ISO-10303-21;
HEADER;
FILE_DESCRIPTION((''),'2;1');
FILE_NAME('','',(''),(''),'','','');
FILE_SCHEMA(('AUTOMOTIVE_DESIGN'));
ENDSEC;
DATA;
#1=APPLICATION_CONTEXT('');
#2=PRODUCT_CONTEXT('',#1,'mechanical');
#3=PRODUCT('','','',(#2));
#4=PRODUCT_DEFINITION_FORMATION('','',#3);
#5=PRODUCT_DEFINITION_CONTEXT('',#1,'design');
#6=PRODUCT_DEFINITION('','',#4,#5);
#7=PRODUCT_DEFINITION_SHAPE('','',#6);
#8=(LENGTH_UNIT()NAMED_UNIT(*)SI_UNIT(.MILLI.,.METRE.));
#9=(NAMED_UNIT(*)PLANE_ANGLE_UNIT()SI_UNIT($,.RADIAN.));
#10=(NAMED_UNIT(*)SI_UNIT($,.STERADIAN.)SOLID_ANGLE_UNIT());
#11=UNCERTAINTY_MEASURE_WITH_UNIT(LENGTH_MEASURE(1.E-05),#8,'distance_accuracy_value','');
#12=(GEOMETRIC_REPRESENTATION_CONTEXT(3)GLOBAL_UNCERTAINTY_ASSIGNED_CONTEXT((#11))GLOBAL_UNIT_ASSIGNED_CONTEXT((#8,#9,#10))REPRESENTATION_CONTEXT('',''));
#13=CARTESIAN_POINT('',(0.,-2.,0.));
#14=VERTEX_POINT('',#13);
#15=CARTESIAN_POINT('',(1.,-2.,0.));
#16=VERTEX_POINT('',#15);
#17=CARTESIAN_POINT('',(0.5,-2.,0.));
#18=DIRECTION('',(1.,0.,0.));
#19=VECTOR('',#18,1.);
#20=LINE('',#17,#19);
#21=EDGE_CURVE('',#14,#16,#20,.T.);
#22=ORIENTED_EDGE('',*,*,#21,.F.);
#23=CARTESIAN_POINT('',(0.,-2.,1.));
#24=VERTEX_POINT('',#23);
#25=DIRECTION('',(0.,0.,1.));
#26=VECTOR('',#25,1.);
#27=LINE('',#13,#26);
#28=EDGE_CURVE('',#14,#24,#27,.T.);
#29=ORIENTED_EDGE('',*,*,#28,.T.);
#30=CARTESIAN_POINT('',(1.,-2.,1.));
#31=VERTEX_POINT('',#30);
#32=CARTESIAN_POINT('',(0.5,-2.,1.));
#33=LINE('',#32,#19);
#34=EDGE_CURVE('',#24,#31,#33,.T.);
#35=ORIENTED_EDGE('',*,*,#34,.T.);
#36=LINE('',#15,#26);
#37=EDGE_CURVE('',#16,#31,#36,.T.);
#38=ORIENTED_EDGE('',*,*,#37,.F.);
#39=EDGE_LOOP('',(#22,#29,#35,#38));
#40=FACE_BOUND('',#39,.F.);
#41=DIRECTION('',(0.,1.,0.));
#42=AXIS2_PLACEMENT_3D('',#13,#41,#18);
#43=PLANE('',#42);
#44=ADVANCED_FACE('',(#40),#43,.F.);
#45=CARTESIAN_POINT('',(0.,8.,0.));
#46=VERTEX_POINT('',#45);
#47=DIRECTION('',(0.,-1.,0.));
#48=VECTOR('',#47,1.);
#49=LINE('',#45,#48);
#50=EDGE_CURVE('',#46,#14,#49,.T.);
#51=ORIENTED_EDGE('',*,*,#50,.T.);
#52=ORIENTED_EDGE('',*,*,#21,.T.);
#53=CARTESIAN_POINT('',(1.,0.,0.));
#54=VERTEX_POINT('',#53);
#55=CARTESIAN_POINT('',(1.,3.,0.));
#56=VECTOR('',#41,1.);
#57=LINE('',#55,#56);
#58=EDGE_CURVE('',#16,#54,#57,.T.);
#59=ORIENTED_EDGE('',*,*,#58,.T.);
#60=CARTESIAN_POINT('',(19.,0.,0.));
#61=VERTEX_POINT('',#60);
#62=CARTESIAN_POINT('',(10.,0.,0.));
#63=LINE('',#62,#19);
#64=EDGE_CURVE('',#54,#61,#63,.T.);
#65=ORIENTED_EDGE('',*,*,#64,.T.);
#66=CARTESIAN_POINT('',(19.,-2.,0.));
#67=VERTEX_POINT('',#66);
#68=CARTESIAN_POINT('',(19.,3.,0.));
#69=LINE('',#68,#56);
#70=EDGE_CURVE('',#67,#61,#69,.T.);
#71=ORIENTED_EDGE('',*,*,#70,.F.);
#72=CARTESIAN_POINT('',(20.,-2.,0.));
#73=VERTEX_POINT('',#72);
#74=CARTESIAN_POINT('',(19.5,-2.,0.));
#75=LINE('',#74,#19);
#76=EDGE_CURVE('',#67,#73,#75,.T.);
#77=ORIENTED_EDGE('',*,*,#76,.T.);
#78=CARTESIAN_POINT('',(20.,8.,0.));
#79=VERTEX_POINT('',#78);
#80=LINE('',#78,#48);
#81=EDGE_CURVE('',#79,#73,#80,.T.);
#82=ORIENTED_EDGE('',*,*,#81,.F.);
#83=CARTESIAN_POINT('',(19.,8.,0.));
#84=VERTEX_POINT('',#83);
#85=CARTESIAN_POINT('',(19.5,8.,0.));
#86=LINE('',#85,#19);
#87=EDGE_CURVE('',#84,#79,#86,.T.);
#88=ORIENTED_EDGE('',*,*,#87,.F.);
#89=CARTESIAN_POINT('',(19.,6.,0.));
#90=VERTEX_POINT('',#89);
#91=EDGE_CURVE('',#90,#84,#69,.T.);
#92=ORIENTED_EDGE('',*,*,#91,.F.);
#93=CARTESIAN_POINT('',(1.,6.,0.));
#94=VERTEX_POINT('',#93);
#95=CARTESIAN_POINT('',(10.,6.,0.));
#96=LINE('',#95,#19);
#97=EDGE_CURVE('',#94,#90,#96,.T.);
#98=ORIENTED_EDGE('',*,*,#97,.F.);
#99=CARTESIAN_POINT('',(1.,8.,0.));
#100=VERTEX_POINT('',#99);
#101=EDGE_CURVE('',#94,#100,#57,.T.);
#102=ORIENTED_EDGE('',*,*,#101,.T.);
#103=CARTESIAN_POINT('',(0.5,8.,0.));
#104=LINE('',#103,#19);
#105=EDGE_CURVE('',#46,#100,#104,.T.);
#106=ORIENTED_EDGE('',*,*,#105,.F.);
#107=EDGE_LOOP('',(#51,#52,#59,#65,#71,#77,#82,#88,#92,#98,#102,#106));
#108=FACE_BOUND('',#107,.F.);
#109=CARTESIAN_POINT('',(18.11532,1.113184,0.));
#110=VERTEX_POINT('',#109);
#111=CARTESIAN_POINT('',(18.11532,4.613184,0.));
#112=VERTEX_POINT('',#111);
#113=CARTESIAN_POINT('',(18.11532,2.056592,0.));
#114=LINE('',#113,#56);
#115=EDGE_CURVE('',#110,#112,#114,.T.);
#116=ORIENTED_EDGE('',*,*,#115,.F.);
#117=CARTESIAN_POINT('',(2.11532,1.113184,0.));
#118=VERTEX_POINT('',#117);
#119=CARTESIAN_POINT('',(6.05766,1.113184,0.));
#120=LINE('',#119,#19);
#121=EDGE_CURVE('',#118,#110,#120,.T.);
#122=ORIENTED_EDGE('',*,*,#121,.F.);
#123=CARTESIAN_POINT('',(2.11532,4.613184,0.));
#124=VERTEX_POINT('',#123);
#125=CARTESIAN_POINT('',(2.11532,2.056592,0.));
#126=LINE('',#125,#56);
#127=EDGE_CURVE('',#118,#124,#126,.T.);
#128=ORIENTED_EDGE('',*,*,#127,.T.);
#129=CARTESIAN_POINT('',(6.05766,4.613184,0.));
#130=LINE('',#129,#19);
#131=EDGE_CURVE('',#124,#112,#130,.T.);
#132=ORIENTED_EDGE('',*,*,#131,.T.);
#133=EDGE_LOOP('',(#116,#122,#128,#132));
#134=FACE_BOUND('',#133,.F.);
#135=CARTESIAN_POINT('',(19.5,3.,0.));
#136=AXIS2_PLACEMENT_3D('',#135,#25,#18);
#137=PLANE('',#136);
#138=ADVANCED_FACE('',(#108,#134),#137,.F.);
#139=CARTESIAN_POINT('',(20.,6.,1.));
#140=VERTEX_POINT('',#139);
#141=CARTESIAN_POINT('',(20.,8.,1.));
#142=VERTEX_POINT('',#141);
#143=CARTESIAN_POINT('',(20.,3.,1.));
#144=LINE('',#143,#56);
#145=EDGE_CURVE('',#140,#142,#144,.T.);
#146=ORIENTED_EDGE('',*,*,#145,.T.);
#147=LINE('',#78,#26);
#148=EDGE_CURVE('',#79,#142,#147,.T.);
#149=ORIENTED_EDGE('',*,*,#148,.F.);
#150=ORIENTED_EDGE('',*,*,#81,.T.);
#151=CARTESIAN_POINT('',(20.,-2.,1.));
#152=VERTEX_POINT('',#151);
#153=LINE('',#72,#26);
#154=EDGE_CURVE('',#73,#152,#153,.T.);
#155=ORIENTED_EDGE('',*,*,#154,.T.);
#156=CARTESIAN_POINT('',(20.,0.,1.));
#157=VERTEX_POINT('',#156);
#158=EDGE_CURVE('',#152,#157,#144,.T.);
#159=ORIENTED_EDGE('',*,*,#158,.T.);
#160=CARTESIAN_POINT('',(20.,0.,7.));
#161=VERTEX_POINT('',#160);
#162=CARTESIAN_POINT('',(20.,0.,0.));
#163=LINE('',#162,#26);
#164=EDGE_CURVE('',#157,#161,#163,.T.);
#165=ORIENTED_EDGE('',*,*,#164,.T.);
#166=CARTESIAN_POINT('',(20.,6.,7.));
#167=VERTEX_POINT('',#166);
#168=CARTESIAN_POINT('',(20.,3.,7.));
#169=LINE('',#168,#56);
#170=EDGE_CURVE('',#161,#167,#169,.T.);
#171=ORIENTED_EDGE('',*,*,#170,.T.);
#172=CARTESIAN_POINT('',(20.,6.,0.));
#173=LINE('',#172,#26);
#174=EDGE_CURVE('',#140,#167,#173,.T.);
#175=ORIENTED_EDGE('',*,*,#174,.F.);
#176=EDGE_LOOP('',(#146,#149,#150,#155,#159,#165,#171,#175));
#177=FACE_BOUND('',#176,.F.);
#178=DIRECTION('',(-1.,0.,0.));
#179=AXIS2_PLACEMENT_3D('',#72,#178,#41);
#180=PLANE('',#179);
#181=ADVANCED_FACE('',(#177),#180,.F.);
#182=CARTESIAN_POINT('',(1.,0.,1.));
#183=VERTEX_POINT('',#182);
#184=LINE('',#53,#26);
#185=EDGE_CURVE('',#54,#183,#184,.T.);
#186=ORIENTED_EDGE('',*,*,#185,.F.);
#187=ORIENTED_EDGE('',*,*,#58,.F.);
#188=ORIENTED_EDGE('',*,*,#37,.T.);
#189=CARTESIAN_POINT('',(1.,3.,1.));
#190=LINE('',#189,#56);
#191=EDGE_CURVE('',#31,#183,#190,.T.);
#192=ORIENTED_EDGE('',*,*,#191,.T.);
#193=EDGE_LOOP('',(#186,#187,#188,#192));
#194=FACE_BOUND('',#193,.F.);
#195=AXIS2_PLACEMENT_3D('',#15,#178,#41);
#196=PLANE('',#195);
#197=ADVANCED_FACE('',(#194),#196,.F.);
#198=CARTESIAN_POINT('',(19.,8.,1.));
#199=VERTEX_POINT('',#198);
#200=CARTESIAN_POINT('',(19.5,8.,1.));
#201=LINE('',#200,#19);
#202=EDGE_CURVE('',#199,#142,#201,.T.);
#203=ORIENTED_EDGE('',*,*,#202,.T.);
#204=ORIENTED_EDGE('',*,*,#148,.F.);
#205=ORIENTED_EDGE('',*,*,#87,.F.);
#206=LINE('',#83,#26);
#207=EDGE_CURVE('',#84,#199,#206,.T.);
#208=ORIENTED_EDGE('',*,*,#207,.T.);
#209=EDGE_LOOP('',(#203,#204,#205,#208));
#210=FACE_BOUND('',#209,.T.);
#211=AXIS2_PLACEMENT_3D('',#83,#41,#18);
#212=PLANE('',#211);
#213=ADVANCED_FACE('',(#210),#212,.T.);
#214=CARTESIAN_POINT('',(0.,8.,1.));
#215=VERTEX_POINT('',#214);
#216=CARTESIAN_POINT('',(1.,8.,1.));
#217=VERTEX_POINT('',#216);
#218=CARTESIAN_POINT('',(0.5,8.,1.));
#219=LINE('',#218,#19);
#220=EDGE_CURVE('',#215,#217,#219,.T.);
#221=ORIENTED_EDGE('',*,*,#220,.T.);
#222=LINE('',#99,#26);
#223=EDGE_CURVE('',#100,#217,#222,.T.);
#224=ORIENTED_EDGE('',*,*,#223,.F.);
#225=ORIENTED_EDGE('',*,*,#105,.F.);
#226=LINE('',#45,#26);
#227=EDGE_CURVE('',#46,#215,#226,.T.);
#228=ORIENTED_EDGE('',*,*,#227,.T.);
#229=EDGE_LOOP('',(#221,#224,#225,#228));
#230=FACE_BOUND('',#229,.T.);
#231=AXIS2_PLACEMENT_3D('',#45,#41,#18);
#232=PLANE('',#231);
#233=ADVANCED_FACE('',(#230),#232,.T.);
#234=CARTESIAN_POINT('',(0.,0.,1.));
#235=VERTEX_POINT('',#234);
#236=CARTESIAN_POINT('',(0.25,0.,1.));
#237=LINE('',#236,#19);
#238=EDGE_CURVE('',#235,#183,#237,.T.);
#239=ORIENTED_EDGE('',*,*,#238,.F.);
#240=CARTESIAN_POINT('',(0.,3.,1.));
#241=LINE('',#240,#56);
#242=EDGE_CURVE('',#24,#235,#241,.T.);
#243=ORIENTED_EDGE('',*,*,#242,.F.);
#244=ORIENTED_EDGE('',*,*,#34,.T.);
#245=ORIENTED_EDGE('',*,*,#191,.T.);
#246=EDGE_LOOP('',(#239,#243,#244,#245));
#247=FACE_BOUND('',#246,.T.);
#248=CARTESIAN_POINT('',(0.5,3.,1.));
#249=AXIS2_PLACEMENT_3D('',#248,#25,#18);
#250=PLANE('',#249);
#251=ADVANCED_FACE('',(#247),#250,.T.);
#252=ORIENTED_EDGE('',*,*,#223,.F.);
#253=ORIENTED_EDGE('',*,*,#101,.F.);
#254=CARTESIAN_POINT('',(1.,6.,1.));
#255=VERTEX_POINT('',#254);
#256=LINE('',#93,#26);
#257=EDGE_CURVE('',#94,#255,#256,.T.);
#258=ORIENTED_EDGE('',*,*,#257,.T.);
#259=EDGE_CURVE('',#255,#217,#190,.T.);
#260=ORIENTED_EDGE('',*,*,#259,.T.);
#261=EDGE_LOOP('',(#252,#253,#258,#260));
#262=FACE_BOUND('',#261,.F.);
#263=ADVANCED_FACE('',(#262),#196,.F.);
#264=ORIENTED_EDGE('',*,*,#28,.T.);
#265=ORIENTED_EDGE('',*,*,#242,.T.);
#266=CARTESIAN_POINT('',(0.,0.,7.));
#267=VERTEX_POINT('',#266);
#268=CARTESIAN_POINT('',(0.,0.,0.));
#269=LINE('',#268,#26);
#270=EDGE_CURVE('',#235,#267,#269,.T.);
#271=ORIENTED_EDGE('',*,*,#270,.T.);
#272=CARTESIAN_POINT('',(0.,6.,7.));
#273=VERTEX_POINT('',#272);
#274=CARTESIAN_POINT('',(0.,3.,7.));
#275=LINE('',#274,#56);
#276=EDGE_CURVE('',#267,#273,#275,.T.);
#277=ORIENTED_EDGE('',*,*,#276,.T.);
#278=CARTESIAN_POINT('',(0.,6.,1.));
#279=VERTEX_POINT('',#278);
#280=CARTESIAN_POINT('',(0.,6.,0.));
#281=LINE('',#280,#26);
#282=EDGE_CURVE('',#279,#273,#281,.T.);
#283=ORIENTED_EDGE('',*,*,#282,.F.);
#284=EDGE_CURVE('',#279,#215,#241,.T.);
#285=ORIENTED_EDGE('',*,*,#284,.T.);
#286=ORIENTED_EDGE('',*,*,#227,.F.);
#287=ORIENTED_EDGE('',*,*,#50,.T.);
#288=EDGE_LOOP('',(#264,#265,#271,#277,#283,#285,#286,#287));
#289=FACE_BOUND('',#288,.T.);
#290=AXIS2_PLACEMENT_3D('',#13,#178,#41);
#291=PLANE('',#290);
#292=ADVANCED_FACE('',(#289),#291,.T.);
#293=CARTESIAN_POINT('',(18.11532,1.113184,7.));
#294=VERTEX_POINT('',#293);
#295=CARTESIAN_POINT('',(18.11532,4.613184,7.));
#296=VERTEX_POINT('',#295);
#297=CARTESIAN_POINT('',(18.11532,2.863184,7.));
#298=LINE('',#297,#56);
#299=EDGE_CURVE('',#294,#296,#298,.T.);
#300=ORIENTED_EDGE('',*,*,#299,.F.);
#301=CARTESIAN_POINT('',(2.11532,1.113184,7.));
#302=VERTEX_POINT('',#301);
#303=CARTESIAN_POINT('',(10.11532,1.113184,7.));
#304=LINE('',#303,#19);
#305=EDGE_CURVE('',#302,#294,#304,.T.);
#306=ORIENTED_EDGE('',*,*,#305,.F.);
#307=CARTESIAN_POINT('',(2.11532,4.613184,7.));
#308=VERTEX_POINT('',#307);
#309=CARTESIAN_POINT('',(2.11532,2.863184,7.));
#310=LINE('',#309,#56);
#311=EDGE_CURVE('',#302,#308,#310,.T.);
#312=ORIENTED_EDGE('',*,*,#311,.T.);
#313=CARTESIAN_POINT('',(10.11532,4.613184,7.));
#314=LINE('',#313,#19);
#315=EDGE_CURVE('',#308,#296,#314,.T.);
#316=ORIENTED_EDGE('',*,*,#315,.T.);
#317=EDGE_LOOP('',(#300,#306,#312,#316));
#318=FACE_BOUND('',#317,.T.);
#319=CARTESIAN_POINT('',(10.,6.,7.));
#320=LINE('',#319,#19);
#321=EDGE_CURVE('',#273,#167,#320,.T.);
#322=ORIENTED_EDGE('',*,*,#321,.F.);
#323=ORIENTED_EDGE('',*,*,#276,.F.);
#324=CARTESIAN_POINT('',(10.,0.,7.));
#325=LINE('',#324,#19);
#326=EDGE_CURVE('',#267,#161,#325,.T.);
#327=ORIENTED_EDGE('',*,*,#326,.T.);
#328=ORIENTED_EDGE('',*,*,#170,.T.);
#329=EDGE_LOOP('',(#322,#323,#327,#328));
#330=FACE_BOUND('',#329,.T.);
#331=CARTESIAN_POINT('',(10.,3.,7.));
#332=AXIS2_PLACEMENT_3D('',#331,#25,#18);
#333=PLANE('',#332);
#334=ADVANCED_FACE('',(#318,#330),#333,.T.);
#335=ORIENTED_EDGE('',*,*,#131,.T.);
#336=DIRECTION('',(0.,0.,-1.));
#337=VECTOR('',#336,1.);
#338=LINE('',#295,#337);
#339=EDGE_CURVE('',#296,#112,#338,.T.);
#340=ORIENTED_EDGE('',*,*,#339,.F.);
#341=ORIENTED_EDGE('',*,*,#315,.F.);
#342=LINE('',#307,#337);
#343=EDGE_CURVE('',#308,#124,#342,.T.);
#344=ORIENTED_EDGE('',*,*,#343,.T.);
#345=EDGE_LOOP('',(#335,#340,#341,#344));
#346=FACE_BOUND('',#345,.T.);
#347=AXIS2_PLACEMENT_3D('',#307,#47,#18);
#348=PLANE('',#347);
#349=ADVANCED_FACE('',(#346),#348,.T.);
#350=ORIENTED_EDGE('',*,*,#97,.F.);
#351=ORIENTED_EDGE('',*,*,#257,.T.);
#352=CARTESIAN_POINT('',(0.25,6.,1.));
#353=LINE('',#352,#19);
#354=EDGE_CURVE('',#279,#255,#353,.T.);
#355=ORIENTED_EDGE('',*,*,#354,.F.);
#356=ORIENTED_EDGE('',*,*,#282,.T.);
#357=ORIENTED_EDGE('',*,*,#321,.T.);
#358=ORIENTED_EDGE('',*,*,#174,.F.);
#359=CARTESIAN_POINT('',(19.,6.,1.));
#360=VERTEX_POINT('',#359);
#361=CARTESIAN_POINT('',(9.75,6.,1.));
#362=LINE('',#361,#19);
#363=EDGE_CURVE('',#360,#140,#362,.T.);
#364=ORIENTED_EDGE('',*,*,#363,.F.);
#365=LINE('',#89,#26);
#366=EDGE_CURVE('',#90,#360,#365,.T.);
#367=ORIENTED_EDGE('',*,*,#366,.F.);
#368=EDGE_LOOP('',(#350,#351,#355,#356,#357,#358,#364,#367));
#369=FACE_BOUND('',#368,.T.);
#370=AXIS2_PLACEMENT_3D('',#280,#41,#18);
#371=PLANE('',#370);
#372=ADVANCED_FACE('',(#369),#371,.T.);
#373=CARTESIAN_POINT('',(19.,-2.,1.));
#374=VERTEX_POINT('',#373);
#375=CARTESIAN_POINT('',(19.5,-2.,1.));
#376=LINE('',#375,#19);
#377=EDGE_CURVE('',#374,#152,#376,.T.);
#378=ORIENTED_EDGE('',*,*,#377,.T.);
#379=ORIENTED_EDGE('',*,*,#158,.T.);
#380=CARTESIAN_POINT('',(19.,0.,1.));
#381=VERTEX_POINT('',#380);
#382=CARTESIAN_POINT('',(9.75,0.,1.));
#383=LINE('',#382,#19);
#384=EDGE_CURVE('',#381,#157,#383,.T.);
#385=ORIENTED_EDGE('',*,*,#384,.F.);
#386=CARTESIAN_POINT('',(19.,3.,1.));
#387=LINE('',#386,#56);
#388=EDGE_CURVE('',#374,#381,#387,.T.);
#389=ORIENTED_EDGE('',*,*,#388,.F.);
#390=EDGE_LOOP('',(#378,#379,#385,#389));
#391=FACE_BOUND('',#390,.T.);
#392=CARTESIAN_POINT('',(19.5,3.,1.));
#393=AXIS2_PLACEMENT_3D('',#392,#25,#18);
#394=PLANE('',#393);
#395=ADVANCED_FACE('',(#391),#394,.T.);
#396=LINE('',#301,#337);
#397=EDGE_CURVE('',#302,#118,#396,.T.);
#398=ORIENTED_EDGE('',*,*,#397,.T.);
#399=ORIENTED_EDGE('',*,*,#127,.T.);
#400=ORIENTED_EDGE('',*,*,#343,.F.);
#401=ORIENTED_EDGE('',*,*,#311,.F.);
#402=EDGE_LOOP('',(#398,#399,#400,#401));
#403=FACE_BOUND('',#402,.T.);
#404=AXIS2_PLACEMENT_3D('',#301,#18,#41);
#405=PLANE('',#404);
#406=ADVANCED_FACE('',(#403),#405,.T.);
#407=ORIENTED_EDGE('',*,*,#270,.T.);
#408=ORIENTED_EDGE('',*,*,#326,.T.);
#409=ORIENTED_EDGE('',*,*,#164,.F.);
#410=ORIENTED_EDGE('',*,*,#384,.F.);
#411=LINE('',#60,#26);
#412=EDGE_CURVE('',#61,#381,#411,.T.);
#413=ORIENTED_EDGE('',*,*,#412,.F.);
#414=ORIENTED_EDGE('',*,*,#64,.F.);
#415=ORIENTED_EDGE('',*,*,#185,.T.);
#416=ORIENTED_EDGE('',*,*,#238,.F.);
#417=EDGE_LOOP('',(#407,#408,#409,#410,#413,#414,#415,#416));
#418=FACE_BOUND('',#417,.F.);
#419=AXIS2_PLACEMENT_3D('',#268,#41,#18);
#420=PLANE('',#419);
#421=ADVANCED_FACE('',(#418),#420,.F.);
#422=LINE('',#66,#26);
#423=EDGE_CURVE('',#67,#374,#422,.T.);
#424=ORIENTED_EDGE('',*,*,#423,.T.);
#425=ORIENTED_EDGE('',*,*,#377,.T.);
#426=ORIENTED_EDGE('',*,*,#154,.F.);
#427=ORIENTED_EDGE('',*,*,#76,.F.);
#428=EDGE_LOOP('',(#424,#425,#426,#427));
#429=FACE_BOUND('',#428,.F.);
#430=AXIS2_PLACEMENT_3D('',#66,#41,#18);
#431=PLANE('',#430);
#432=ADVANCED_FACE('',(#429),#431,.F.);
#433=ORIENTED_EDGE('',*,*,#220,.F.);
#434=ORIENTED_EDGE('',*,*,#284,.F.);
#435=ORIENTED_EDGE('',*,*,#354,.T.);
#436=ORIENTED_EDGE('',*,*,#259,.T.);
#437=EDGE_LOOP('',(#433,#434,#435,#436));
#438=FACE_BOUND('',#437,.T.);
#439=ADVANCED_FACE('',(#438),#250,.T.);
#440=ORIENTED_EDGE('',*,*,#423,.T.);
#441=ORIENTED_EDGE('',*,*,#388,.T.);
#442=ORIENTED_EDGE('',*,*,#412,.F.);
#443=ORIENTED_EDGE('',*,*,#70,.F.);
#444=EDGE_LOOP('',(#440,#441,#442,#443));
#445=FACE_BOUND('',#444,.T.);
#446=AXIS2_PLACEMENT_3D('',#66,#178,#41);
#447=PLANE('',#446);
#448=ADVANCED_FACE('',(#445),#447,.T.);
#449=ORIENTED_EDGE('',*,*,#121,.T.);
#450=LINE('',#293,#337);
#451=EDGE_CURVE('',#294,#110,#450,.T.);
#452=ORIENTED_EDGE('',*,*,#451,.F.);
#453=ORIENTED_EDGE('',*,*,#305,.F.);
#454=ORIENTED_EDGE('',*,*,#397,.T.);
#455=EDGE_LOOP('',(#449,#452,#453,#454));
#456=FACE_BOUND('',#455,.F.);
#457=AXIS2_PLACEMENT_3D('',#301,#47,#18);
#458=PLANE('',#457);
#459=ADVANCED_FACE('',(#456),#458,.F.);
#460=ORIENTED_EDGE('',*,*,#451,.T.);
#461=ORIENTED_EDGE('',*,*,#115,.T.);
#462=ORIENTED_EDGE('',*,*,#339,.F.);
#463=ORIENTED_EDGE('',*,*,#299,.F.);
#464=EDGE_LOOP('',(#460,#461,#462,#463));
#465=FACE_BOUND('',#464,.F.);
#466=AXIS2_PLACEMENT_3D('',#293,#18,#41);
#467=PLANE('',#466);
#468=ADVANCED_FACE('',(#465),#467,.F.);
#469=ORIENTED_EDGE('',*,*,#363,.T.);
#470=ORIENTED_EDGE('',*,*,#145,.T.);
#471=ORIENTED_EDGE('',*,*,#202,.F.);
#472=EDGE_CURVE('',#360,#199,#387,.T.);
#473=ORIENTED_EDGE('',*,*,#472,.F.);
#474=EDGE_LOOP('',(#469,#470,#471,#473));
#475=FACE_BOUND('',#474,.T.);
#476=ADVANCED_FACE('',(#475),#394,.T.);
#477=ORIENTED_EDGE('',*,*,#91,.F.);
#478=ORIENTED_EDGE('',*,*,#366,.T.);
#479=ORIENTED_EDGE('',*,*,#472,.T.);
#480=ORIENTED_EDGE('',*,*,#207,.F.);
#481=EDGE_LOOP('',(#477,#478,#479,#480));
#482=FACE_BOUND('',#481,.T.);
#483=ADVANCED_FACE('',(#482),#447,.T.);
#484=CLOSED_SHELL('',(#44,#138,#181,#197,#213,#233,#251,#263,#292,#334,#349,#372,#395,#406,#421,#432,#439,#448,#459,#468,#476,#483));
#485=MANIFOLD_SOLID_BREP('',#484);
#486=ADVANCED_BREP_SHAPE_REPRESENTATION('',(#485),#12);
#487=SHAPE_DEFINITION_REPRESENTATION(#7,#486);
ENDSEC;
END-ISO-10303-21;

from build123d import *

# Parameters (mm, degrees)
BOX001_W     = 1
BOX001_H     = 10
BOX001_DEPTH = 1
BOX002_W     = 1
BOX002_H     = 10
BOX002_DEPTH = 1
BOX_W        = 20
BOX_H        = 6
BOX_DEPTH    = 7
SKETCH_W     = 16
SKETCH_H     = 3.5
POCKET_DEPTH = 9


with BuildPart() as cube001:
    # Box001 → Box001 (new body)
    with BuildSketch(Plane(origin=(0, -2, 0), x_dir=(1, 0, 0), z_dir=(0, 0, 1))):
        with Locations((0.5, 5)):
            Rectangle(BOX001_W, BOX001_H)
    extrude(amount=BOX001_DEPTH)


with BuildPart() as cube002:
    # Box002 → Box002 (new body)
    with BuildSketch(Plane(origin=(19, -2, 0), x_dir=(1, 0, 0), z_dir=(0, 0, 1))):
        with Locations((0.5, 5)):
            Rectangle(BOX002_W, BOX002_H)
    extrude(amount=BOX002_DEPTH)


with BuildPart() as fusion:
    # Box → Box (new body)
    with BuildSketch(Plane.XY):
        with Locations((10, 3)):
            Rectangle(BOX_W, BOX_H)
    extrude(amount=BOX_DEPTH)

    # Sketch (on Face6 of BaseFeature) → Pocket (cut)
    with BuildSketch(Plane.XY.offset(7)):
        with Locations((10.11532, 2.863184)):
            Rectangle(SKETCH_W, SKETCH_H)
    extrude(amount=-POCKET_DEPTH, mode=Mode.SUBTRACT)

    # Fusion: union Cube001, Cube002
    add(cube001.part)
    add(cube002.part)


solid = fusion.part
